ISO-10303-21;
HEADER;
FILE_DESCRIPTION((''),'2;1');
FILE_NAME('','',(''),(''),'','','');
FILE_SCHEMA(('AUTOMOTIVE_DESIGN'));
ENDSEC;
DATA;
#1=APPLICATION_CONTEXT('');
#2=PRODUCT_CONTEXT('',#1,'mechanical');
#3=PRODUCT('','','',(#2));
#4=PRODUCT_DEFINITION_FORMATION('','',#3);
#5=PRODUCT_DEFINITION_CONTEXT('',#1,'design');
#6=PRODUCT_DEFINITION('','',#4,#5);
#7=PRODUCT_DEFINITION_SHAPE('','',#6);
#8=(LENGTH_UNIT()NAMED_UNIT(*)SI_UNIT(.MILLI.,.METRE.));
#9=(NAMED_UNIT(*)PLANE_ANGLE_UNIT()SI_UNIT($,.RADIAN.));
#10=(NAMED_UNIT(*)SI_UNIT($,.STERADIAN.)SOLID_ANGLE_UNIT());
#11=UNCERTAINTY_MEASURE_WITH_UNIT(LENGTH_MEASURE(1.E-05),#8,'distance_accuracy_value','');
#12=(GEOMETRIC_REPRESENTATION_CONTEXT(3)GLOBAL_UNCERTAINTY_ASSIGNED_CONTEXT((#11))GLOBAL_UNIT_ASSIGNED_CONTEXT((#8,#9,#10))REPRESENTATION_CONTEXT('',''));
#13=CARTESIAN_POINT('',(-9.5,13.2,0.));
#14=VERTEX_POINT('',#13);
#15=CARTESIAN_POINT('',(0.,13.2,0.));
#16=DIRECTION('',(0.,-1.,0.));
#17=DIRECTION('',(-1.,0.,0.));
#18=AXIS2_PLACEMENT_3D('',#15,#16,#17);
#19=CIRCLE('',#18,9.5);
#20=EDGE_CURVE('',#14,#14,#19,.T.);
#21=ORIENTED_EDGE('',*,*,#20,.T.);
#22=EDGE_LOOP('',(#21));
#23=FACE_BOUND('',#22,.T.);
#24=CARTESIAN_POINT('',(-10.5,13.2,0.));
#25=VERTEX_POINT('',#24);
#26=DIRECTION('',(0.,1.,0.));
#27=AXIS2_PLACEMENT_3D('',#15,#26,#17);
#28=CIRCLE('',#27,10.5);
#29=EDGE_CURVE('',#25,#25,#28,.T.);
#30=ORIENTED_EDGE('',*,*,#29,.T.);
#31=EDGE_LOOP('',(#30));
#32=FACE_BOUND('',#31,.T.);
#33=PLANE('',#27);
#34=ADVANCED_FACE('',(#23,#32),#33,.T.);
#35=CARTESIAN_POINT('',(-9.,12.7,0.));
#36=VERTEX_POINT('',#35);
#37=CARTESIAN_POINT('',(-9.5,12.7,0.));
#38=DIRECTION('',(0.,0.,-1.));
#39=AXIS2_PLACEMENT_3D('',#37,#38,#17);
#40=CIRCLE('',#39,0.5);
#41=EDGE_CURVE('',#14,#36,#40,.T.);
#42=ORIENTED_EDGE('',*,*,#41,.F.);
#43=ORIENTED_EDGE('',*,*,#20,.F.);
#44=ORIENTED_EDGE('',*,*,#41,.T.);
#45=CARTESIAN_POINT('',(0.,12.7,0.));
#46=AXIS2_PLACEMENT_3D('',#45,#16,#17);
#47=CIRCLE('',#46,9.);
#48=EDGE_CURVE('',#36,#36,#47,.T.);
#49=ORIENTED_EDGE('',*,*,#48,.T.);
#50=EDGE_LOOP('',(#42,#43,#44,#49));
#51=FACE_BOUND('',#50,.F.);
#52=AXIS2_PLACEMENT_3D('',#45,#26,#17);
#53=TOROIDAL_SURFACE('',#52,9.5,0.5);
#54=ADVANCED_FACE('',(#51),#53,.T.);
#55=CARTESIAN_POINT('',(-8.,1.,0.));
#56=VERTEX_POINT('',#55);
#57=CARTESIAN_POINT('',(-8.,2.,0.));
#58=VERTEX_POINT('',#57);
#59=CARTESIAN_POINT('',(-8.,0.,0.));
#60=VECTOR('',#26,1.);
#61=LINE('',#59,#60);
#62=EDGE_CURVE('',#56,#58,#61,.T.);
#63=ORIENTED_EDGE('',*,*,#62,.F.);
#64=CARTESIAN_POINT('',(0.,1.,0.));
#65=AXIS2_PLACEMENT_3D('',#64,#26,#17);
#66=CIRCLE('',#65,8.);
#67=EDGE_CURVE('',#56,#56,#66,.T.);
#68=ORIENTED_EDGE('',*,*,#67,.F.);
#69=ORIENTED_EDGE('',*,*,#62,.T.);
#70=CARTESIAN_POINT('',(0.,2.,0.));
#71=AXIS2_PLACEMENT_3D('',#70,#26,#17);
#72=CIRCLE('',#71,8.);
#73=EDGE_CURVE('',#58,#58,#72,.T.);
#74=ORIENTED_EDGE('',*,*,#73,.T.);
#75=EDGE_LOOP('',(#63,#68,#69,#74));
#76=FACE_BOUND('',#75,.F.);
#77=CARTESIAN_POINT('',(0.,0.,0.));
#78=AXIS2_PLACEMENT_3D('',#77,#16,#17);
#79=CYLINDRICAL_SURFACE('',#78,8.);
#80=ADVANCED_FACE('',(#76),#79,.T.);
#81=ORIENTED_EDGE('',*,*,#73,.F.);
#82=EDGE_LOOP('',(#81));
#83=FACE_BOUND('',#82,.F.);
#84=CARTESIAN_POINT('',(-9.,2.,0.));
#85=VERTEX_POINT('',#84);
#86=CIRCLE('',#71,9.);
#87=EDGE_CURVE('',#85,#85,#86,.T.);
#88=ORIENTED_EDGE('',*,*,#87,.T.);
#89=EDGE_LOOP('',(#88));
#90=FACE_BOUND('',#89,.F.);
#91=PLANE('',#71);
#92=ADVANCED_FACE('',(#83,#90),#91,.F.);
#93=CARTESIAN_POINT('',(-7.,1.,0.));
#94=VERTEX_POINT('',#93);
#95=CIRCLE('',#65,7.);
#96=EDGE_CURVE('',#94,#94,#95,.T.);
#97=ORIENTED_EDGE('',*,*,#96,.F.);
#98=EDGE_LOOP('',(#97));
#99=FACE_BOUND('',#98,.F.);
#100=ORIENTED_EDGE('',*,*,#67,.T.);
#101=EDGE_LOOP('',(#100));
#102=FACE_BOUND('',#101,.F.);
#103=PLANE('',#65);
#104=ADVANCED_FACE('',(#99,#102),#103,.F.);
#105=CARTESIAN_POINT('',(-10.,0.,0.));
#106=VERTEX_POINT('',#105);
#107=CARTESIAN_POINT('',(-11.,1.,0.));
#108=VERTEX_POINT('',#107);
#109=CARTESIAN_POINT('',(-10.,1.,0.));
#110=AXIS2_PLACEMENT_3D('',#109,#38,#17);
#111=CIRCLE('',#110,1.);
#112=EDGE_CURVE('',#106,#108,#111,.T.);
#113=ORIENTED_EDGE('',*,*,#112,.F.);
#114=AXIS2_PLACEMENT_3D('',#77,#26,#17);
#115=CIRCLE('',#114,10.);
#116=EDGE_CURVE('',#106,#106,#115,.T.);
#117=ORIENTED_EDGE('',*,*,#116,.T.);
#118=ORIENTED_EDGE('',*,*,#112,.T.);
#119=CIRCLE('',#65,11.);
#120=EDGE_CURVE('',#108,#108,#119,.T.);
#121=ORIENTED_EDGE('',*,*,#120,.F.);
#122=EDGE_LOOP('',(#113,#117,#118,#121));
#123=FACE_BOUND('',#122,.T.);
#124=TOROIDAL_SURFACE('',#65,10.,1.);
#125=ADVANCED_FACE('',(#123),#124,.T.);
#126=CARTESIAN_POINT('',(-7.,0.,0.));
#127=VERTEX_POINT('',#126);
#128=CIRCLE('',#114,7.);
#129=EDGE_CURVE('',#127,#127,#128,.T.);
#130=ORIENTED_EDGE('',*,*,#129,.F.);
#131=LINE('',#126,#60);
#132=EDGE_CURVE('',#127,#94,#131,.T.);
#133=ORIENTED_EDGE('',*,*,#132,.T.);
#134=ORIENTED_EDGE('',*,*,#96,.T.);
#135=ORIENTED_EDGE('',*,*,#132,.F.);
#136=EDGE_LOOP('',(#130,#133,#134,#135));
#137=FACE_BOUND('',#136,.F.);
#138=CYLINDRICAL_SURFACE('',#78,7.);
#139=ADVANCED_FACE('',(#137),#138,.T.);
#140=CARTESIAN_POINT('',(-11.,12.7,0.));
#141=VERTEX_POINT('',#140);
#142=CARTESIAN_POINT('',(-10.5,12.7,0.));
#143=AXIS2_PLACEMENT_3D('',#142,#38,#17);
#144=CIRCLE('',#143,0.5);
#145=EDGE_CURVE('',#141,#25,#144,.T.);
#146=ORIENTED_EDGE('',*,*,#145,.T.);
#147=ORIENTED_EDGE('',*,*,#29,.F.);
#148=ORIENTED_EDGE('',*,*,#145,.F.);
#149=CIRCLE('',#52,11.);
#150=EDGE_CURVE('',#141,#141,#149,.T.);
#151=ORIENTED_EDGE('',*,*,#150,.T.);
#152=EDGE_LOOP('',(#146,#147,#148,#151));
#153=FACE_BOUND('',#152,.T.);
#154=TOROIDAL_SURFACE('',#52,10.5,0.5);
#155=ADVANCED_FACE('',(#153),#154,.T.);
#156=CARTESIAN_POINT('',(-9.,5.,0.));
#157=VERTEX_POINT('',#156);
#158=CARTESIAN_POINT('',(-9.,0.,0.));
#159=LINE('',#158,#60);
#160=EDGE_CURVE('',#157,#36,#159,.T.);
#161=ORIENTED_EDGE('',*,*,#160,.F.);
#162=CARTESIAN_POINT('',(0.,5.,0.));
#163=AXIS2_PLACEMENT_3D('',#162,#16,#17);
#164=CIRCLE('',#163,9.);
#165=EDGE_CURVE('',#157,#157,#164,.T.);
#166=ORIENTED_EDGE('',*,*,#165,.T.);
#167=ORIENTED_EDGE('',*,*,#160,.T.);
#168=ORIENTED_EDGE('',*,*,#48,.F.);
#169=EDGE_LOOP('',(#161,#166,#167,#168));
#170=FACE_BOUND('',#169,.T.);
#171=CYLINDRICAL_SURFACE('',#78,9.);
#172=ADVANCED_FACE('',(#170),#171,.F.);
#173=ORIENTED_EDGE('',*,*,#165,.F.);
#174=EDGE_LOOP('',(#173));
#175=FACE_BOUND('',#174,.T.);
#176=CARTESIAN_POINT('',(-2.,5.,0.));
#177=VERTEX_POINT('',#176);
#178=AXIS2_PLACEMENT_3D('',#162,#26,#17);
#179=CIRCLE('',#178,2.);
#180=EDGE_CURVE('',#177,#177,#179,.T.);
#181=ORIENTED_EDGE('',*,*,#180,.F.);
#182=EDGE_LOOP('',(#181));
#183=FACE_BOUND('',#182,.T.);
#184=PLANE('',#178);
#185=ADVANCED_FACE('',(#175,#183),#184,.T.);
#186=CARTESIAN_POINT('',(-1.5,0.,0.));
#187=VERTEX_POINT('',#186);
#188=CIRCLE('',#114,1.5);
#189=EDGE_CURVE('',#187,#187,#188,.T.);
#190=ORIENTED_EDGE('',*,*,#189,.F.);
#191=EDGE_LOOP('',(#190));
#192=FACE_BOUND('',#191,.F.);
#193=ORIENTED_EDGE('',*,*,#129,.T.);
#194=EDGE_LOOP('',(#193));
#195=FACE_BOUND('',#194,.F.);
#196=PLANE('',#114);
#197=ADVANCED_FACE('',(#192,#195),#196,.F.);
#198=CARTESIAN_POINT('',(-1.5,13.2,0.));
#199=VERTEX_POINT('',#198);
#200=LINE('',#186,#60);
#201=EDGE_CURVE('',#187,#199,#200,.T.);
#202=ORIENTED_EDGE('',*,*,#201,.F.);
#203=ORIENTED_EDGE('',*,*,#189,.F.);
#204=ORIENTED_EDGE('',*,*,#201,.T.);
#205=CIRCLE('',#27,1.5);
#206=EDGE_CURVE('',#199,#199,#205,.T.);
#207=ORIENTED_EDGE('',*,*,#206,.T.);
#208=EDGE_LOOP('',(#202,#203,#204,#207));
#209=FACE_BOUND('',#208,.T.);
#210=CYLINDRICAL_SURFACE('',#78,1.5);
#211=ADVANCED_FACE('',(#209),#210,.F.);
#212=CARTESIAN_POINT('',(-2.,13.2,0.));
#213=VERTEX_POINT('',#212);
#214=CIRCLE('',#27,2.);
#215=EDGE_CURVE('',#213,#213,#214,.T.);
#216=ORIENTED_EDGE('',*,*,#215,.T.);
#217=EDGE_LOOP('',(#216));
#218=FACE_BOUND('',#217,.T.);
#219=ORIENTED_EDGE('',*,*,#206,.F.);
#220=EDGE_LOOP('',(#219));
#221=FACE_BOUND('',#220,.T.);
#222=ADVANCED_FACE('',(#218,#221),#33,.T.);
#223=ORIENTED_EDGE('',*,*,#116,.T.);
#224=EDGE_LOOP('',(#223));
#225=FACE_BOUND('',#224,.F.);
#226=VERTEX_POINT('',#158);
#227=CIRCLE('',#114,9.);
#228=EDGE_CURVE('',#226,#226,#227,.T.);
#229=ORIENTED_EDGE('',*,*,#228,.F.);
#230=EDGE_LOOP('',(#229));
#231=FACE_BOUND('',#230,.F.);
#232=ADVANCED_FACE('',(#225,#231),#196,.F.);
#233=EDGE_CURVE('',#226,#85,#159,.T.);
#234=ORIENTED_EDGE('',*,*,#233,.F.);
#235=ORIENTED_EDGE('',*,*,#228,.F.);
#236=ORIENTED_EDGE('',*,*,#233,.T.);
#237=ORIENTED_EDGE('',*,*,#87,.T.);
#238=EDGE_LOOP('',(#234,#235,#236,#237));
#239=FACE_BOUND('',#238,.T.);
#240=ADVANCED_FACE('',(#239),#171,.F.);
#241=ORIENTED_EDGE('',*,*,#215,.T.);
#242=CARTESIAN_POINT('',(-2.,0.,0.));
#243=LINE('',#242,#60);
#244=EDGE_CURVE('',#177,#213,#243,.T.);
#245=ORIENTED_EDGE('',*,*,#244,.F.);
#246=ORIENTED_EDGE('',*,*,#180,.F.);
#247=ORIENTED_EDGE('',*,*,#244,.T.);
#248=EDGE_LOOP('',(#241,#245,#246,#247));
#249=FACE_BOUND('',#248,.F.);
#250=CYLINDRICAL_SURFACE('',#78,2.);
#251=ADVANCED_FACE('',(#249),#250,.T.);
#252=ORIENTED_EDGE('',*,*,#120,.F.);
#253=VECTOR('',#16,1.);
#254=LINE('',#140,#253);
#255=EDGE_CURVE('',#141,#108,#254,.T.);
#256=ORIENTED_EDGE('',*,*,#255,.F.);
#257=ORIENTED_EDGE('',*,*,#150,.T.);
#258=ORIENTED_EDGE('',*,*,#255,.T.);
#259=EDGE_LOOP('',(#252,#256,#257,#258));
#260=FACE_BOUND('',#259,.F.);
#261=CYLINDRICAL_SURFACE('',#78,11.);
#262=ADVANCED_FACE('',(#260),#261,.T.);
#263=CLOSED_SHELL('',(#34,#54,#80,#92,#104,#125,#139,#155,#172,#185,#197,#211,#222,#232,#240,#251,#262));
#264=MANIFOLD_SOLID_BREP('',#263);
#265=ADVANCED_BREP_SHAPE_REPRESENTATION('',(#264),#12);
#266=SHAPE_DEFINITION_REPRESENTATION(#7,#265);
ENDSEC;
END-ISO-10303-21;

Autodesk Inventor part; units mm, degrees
ref_plane "YZ Plane" through (0, 0, 0) normal (1, 0, 0) x (0, 1, 0)
ref_plane "XZ Plane" through (0, 0, 0) normal (0, 1, 0) x (-1, 0, 0)
ref_plane "XY Plane" through (0, 0, 0) normal (0, 0, 1) x (1, 0, 0)
sketch "Sketch1" plane through (0, 0, 0) normal (0, 1, 0) x (-1, 0, 0)
  circle A0 centre (0, 0) radius 11
  circle A1 centre (0, 0) radius 1.5
  circle A2 centre (0, 0) radius 2
  circle A3 centre (0, 0) radius 8
  circle A4 centre (0, 0) radius 7
  circle A5 centre (0, 0) radius 9
  dimension "d0" = 22
  dimension "d5" = 3
  dimension "d8" = 4
  dimension "d14" = 16
  dimension "d15" = 14
  dimension "d16" = 18
extrude "Extrusion1" add sketch "Sketch1" along normal blind 13.2 contours A0 | A1 | A2 | A3 | A4 | A5
shell "Shell1" thickness 2 removed faces 1 at (3.2467, 13.2, -1.704)
fillet "Fillet1" radius 0.5 3 edges at (11, 13.2, 0) (9, 13.2, 0) (11, 0, 0)
extrude "Extrusion2" cut sketch "Sketch1" along normal through all contours A1
extrude "Extrusion3" add sketch "Sketch1" along normal blind 5 contours A0 | A3 | A4 | A5
extrude "Extrusion4" add sketch "Sketch1" along normal blind 13.2 contours A2
fillet "Fillet2" radius 1 1 edges at (11, 0, 0)
extrude "Extrusion5" cut sketch "Sketch1" along normal blind 1 contours A3
extrude "Extrusion6" cut sketch "Sketch1" along normal blind 2 contours A5
properties part number "Kolo"
